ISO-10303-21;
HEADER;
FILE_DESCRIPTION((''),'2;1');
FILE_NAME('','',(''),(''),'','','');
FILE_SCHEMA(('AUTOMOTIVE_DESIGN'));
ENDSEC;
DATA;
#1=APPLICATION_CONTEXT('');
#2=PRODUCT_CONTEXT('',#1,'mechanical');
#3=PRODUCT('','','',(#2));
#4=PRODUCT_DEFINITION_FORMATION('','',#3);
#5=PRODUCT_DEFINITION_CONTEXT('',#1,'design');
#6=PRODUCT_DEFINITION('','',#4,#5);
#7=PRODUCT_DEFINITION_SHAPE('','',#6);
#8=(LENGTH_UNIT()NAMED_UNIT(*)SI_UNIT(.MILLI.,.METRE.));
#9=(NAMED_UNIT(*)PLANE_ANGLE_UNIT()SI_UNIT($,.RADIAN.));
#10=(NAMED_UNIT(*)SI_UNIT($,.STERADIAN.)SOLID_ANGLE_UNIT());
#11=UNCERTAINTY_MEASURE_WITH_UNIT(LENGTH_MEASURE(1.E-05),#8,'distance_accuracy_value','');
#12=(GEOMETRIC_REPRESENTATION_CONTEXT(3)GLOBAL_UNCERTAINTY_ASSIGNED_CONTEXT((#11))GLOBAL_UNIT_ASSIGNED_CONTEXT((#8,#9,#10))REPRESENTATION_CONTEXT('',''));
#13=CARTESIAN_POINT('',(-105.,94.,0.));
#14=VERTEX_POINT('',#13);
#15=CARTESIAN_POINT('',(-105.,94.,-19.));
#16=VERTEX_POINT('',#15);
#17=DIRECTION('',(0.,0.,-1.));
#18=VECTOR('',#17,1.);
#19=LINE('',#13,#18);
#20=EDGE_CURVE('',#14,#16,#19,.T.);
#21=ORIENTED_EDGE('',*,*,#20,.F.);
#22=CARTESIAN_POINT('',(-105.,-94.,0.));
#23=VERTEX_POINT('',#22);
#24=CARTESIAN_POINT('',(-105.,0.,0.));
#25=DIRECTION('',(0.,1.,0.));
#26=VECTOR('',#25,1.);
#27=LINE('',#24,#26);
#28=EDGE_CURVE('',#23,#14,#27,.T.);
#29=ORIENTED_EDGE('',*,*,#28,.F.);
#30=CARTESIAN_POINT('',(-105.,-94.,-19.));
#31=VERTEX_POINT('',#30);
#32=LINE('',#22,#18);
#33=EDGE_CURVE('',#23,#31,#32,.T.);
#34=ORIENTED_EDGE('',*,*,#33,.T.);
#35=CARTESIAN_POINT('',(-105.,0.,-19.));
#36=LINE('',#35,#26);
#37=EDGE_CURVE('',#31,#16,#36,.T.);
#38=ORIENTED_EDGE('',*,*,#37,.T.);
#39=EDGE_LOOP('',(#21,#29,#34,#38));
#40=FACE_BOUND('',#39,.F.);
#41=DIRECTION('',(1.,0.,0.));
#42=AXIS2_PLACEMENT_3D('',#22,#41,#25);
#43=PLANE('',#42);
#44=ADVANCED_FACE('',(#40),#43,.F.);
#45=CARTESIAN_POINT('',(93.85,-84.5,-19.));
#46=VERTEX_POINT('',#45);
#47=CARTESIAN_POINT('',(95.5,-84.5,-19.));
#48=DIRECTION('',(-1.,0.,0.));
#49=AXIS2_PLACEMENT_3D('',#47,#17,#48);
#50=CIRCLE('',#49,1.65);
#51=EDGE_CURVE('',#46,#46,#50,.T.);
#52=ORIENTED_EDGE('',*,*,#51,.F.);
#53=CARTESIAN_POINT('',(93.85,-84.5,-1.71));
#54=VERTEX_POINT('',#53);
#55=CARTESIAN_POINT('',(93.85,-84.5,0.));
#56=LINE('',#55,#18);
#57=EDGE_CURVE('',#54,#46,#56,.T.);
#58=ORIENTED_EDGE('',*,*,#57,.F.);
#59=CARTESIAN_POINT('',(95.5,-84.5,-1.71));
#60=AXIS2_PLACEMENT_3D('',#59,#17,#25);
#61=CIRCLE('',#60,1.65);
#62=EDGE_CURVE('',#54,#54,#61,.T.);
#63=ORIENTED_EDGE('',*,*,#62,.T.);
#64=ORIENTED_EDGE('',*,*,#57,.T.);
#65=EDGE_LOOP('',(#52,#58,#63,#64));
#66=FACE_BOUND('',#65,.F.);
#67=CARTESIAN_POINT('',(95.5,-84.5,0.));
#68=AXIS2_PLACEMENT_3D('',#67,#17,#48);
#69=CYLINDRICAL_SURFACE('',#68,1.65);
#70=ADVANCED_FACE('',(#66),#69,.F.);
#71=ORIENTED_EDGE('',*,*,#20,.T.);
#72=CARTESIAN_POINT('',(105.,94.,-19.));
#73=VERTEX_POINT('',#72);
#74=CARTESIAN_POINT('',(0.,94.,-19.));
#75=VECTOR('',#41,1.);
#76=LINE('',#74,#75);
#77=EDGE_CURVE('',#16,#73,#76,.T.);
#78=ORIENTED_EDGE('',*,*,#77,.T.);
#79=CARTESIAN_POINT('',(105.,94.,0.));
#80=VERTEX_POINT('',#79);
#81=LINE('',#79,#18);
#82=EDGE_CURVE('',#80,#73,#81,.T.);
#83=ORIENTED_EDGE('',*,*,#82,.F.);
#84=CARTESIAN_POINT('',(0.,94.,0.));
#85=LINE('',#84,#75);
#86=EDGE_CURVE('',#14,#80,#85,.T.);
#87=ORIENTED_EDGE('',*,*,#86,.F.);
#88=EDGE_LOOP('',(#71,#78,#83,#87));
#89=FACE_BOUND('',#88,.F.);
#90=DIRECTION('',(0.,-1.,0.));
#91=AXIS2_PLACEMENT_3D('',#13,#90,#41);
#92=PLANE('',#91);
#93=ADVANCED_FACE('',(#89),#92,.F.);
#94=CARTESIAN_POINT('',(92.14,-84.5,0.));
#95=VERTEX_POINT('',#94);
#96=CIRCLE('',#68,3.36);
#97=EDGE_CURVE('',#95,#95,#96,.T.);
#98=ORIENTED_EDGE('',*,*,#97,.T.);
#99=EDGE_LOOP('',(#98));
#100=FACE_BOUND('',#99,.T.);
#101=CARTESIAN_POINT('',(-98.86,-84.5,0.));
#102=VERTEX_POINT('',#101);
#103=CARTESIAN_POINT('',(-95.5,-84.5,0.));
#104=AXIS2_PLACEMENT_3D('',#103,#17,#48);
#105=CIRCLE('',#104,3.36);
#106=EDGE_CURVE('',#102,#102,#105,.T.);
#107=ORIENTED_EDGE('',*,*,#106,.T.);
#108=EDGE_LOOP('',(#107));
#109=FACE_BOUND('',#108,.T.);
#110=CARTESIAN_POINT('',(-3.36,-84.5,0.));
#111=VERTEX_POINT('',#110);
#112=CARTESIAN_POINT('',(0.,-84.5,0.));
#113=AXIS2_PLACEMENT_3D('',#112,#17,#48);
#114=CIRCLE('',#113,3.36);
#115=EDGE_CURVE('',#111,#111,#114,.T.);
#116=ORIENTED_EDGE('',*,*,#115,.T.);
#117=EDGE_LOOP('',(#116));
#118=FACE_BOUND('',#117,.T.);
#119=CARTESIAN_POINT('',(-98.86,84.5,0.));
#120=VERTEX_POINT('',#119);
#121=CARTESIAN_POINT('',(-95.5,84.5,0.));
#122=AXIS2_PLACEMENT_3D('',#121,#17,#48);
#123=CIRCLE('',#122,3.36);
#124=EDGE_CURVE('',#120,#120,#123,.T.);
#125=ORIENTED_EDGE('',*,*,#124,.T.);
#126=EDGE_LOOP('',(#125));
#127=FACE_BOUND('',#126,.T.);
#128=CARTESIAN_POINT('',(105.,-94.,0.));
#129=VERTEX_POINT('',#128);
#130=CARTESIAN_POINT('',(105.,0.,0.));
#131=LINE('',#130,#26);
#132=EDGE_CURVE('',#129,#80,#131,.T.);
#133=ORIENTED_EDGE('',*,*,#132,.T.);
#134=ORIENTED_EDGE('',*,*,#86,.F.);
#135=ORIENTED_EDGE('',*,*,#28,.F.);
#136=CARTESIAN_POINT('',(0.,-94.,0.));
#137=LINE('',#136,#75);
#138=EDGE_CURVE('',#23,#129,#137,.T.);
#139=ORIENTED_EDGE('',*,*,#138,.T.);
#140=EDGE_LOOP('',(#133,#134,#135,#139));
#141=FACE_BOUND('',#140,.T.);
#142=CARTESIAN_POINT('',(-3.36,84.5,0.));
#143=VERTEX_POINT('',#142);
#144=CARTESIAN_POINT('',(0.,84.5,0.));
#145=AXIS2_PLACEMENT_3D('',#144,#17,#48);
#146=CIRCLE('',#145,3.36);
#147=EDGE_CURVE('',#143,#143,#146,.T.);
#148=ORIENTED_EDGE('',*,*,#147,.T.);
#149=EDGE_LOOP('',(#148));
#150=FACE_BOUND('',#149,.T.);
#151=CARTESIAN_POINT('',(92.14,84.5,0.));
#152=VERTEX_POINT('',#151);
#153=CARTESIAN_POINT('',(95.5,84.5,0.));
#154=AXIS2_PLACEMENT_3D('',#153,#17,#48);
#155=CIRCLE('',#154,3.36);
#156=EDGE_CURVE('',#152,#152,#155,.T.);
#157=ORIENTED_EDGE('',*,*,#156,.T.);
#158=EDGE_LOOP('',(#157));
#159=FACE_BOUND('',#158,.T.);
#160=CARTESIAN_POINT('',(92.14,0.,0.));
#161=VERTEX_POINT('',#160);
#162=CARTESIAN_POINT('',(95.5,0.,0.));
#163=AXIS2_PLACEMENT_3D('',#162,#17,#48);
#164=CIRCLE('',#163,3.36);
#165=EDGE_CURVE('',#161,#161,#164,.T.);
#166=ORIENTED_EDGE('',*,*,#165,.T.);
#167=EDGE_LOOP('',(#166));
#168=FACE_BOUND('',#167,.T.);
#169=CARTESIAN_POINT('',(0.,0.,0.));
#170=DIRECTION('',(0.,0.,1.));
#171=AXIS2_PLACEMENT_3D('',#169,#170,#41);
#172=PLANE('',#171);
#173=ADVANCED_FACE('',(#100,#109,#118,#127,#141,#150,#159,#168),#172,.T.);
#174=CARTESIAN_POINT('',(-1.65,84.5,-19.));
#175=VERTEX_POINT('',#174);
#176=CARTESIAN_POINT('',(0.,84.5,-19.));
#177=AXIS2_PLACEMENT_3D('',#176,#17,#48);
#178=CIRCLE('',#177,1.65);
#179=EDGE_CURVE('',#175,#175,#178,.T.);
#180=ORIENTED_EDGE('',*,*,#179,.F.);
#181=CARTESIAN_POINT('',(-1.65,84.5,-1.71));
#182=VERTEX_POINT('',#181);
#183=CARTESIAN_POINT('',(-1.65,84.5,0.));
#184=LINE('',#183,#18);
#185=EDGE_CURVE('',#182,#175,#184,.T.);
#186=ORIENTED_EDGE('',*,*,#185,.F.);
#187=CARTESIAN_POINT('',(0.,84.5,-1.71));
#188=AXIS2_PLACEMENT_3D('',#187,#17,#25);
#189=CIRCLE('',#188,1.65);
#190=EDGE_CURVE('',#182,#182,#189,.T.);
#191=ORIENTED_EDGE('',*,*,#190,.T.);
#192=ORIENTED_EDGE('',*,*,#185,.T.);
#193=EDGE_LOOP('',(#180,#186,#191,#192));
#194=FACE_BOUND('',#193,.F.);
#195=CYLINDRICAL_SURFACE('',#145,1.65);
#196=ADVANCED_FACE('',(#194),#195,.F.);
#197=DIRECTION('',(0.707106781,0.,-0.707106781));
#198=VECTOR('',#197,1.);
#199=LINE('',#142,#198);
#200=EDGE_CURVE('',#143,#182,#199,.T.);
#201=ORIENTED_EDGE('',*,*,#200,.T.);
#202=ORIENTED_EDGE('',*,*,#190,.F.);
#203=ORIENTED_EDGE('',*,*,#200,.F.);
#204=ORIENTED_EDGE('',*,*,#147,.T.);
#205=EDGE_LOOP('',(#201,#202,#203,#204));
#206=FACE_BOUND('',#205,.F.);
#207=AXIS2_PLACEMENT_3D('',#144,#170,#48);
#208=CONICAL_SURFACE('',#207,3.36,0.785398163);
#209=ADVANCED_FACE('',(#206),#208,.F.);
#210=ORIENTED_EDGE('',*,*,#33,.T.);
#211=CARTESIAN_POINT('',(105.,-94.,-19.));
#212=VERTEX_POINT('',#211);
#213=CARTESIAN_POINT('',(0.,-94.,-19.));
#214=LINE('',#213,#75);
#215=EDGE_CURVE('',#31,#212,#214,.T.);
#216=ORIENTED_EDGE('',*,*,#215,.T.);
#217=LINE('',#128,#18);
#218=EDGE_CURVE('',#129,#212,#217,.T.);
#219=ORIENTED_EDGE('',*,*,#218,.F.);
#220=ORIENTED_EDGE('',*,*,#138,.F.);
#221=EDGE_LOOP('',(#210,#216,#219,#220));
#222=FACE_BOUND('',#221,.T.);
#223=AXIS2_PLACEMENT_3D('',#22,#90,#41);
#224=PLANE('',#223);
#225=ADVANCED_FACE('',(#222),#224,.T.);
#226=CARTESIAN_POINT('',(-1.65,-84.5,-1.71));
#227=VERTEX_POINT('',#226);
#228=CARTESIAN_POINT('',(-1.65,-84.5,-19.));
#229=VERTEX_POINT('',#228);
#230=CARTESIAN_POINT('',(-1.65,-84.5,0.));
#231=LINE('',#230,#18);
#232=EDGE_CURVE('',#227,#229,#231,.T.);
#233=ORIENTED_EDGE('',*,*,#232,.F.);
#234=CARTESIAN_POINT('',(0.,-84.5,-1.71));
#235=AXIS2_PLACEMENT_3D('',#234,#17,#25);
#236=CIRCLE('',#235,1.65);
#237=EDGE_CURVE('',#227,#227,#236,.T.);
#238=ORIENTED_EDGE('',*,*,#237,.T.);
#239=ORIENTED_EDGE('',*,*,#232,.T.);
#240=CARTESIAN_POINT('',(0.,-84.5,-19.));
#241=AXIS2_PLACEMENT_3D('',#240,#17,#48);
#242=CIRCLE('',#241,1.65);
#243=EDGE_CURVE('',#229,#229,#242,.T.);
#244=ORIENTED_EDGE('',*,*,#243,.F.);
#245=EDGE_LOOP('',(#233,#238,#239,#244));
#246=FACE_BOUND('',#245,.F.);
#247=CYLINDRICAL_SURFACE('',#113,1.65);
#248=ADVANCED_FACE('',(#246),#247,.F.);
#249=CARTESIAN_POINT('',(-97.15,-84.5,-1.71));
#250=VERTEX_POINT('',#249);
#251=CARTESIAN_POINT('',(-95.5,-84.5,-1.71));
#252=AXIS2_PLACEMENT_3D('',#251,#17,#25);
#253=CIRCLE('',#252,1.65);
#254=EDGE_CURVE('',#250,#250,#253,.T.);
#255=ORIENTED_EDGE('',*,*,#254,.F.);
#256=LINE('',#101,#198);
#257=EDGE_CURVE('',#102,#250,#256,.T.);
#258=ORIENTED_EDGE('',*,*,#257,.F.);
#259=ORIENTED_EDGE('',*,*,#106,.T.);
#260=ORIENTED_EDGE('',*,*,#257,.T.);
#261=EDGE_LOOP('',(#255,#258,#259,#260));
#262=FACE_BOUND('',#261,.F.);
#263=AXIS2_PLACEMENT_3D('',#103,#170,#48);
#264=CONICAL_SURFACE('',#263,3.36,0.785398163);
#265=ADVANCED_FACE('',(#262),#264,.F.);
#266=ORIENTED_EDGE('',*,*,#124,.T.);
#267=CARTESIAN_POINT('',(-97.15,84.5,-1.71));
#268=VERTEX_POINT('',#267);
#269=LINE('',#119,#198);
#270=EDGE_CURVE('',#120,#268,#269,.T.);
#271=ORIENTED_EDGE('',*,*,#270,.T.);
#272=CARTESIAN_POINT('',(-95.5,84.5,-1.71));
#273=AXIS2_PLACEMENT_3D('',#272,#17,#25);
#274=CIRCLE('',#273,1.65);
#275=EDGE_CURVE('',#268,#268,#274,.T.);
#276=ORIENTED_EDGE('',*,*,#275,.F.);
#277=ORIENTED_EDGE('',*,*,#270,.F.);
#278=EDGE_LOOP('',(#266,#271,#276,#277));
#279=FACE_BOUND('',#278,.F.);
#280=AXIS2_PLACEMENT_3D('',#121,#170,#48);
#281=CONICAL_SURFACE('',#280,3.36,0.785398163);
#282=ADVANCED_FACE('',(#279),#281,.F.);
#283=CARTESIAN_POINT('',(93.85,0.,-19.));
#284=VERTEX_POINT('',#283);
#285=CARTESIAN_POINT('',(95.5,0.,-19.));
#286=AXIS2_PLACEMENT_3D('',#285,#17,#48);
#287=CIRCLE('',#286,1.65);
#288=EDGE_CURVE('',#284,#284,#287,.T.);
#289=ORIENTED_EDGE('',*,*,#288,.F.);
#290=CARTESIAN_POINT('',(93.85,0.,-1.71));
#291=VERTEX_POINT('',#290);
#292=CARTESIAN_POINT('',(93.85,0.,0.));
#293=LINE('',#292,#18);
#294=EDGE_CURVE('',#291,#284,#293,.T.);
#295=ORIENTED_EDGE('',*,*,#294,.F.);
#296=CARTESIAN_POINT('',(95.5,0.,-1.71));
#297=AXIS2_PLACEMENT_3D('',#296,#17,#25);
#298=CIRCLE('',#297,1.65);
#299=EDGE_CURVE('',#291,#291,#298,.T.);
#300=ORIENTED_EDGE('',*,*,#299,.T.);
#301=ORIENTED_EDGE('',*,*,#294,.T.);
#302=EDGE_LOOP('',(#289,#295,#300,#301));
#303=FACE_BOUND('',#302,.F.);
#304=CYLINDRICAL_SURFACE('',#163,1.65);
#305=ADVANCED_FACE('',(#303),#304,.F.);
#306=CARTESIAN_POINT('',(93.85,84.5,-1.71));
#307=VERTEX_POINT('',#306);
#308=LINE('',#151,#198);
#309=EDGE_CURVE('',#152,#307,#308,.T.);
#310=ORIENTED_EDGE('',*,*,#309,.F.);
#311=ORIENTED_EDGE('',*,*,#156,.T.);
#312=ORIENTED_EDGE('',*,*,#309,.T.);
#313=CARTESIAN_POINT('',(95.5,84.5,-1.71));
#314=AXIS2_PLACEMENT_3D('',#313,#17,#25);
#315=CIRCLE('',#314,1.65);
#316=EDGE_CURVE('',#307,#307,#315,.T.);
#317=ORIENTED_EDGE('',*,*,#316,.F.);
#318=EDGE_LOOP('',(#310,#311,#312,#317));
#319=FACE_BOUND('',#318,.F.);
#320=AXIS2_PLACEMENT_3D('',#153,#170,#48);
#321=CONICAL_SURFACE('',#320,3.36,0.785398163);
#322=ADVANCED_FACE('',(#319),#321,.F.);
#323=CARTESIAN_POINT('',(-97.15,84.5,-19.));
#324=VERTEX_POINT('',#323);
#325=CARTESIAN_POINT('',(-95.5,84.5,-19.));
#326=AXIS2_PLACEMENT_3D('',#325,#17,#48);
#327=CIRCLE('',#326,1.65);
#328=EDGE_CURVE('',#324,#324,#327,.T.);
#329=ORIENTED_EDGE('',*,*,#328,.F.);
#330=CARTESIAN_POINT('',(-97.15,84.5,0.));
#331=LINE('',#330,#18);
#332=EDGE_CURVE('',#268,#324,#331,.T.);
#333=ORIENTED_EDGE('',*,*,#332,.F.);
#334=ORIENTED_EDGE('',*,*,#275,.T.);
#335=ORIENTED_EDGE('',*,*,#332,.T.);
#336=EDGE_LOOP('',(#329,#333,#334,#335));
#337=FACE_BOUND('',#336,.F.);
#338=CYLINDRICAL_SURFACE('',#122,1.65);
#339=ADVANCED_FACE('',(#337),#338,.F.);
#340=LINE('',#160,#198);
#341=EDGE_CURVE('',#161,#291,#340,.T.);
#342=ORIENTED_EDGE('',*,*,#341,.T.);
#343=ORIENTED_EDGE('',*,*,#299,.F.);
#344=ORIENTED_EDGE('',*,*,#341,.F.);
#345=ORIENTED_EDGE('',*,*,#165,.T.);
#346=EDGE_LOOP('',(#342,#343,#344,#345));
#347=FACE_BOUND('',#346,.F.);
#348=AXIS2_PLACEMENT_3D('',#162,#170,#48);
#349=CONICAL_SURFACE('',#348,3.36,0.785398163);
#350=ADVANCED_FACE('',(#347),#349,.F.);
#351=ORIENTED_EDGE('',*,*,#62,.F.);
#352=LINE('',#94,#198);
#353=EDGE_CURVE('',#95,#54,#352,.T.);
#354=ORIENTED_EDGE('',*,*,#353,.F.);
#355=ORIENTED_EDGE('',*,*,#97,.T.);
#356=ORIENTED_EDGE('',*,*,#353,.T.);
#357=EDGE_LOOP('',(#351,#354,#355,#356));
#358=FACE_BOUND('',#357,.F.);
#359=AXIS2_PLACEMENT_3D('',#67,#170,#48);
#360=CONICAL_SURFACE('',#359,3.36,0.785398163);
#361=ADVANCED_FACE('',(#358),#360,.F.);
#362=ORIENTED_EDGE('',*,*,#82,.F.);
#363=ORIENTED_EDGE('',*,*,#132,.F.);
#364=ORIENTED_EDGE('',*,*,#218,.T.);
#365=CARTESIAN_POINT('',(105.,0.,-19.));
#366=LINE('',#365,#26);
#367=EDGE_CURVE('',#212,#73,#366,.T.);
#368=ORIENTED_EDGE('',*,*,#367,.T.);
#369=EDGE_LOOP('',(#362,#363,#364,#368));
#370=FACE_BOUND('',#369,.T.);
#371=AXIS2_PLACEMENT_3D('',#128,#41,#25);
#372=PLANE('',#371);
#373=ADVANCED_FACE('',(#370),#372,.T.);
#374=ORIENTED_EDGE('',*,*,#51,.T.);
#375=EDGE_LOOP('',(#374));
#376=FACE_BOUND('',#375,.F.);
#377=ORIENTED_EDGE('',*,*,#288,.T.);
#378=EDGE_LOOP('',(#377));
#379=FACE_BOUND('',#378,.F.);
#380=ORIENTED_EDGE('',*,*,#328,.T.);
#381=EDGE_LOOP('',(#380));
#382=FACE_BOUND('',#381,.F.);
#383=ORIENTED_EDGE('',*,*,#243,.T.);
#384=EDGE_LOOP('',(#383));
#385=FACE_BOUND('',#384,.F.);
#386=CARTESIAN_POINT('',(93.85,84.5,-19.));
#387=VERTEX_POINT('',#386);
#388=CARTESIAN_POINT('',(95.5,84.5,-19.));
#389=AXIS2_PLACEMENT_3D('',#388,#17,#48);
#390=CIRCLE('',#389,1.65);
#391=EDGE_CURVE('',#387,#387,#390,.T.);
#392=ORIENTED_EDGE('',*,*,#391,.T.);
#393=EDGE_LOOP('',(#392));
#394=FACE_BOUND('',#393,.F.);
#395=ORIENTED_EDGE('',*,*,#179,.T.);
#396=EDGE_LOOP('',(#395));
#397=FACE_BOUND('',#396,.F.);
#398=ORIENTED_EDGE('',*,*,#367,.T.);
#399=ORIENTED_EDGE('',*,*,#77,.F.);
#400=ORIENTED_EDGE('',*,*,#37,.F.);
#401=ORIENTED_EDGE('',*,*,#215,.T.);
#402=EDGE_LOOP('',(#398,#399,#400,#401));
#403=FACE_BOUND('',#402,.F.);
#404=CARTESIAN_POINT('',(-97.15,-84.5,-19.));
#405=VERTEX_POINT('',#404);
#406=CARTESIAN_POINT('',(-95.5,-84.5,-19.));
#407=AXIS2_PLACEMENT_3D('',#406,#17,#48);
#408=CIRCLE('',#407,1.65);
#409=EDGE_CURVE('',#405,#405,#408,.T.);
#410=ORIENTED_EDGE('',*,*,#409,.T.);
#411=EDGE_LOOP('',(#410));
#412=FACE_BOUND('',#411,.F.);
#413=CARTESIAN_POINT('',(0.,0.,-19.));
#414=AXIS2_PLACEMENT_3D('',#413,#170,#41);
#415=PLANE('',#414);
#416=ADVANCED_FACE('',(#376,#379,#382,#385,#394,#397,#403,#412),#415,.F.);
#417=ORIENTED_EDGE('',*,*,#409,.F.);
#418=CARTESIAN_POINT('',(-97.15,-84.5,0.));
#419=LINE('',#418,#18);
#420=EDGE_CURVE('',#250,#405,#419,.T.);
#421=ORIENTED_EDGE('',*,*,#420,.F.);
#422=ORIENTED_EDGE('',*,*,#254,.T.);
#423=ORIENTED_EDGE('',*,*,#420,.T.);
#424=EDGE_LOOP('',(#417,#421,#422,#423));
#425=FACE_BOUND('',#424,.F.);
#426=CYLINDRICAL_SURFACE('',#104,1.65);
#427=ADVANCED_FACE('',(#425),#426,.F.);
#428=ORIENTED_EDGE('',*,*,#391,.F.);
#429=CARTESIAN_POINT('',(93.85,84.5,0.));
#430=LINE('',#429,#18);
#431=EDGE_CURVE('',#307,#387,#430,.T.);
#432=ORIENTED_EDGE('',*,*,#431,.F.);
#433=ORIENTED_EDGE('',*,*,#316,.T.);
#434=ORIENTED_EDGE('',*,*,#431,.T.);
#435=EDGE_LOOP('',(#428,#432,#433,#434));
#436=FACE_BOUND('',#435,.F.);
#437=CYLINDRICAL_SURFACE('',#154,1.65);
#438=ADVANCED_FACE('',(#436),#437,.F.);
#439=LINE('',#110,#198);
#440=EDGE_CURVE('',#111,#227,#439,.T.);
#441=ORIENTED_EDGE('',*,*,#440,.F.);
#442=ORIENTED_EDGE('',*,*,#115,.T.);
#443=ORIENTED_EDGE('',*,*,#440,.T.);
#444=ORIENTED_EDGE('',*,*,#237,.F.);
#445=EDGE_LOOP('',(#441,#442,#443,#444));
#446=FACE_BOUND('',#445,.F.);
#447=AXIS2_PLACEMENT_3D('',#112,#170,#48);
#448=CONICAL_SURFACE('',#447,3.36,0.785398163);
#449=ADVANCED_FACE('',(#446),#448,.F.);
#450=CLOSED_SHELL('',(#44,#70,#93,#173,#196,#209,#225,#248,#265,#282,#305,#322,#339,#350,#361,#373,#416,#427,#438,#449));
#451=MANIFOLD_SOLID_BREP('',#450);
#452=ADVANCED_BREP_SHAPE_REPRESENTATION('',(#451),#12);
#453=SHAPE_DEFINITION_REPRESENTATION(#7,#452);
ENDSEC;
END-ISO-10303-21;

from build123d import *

# Parameters (mm, degrees)
F0_W           = 210
F0_H           = 188
F1_DEPTH       = 19
F3_D           = 3.3
F3_CSINK_D     = 6.72
F3_CSINK_ANGLE = 90


with BuildPart() as f1:
    # F0 (on Top) → F1 (new body)
    with BuildSketch(Plane.XY):
        Rectangle(F0_W, F0_H)
    extrude(amount=-F1_DEPTH)

    # F3 (through all)
    with Locations(Plane.XY):
        with Locations((-95.5, 84.5), (0, 84.5), (95.5, 84.5), (95.5, 0), (95.5, -84.5), (0, -84.5), (-95.5, -84.5)):
            CounterSinkHole(F3_D / 2, F3_CSINK_D / 2, counter_sink_angle=F3_CSINK_ANGLE)


solid = f1.part
